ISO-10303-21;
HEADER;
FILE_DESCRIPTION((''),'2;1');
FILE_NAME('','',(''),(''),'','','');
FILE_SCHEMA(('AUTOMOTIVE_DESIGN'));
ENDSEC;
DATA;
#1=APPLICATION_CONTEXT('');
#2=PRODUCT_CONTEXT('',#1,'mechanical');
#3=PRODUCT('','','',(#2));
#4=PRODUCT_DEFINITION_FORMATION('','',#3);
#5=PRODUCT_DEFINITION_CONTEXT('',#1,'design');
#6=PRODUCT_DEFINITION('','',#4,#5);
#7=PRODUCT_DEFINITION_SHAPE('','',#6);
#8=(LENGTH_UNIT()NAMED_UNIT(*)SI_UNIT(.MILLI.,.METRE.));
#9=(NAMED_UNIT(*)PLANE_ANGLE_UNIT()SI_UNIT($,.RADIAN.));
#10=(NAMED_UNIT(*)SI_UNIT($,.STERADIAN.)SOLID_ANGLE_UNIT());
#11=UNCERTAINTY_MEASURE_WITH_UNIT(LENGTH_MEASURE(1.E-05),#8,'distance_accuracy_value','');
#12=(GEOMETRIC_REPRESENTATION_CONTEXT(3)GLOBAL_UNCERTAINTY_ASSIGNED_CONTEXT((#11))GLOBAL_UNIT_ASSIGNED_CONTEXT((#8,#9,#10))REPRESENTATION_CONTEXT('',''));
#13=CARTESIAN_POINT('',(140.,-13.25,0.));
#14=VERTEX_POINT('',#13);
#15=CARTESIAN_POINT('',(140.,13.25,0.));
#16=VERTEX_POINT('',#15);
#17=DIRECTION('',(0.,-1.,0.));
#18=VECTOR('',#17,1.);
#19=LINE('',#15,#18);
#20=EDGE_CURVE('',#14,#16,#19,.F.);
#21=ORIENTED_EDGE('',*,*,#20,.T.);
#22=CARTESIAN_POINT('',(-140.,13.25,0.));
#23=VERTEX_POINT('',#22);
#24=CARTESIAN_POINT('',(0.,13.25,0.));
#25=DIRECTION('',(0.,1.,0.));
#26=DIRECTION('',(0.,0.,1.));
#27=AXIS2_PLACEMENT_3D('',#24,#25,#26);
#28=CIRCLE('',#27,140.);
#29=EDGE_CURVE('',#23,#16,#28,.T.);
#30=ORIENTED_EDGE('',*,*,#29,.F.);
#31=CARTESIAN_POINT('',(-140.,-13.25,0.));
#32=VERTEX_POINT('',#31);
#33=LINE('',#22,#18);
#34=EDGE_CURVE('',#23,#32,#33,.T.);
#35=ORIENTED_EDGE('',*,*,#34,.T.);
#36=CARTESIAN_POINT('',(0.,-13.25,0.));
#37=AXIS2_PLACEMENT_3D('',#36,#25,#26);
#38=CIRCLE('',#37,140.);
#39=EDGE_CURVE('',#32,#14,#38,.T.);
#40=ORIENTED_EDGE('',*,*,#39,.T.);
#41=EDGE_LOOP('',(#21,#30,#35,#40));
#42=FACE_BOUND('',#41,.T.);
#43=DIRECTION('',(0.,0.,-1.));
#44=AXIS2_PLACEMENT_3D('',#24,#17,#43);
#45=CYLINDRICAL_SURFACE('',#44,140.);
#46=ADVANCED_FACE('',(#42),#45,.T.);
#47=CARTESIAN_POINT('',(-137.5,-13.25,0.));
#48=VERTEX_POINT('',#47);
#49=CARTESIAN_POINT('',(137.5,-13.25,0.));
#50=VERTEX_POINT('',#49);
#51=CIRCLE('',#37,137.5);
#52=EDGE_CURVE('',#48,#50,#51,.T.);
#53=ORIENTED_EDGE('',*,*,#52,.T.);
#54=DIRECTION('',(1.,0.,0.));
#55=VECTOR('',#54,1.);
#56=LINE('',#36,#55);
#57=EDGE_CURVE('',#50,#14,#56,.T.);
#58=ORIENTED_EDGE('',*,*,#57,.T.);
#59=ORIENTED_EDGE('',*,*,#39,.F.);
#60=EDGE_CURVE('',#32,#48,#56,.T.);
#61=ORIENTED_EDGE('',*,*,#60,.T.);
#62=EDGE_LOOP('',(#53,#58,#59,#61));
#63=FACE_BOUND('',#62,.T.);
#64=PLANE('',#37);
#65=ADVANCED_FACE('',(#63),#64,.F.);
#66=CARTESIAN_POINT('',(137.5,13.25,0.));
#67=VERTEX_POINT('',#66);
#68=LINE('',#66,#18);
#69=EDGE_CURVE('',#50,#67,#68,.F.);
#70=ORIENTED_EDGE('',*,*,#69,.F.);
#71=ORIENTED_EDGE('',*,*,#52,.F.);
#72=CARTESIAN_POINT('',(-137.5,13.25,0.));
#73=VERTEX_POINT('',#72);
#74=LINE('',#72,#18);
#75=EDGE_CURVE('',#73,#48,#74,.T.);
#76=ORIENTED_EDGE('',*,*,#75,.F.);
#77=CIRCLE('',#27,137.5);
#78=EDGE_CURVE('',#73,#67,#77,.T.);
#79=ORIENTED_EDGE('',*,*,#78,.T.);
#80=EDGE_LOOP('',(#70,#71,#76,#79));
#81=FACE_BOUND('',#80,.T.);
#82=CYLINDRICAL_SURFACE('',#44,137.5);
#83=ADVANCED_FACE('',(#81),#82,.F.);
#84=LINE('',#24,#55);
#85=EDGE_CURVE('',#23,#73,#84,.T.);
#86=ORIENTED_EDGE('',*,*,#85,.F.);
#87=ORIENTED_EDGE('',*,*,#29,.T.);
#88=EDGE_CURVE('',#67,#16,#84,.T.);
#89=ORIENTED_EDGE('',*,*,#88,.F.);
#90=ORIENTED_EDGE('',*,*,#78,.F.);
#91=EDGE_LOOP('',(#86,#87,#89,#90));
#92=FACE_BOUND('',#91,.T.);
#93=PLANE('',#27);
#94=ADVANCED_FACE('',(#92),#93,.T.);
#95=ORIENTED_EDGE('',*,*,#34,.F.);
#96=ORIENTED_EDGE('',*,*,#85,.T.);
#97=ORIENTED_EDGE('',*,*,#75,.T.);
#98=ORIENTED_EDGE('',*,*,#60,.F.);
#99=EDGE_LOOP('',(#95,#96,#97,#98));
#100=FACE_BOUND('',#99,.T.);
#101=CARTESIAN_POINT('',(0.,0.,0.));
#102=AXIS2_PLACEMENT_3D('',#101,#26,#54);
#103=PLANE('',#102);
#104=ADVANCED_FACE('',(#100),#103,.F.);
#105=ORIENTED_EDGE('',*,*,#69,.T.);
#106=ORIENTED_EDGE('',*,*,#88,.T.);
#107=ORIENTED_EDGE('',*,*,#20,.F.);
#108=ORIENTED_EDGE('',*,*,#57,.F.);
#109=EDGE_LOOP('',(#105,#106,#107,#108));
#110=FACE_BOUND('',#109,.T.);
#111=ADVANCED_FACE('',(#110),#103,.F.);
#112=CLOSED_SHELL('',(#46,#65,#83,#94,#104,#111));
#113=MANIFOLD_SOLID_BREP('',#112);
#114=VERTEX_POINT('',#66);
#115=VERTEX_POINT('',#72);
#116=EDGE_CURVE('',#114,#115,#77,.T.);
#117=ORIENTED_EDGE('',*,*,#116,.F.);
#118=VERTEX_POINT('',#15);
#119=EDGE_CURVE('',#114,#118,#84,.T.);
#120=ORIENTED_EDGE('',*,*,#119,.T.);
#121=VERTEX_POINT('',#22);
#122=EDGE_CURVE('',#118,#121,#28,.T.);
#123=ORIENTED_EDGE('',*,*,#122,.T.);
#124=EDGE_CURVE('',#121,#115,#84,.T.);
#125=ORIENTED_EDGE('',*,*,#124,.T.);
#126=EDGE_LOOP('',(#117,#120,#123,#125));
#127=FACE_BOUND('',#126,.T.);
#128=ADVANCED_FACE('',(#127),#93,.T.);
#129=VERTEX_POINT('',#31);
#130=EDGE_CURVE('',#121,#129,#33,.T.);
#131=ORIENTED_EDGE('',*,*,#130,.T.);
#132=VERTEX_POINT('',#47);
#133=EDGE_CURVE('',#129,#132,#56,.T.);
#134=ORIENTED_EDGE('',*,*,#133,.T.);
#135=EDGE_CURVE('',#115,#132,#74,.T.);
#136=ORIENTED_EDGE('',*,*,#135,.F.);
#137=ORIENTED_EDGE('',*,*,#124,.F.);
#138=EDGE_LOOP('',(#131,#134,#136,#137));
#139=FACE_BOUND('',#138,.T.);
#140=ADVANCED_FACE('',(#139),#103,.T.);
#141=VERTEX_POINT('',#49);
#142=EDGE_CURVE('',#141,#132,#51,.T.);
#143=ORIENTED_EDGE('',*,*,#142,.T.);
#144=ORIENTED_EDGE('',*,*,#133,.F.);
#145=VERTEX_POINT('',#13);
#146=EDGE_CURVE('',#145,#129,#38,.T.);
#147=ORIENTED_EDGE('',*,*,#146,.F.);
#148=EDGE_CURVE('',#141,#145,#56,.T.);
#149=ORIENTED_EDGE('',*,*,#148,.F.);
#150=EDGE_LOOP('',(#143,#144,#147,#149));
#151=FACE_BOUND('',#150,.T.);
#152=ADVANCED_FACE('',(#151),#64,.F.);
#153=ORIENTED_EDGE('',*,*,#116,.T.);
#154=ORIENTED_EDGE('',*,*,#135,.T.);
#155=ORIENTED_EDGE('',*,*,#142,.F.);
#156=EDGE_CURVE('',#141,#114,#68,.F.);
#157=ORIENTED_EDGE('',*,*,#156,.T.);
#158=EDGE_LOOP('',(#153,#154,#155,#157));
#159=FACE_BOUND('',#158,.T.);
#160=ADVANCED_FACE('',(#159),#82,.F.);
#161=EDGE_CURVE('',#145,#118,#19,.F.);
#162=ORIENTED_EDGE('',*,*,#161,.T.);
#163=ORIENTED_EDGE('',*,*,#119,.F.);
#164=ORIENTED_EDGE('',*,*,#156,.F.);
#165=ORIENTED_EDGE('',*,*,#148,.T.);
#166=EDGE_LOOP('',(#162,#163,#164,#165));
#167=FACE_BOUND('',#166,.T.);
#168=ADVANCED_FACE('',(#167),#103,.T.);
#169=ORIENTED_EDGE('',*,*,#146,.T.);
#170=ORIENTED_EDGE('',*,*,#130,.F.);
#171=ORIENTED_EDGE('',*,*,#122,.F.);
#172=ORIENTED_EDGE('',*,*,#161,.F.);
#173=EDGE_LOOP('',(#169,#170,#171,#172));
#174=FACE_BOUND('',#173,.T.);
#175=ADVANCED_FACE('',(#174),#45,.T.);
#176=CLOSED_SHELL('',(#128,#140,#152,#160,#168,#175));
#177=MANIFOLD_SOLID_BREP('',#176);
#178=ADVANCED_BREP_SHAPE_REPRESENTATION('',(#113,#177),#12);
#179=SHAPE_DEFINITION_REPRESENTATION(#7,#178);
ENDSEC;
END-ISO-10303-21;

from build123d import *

# Parameters (mm, degrees)
BOSS_EXTRUDE1_DEPTH = 13.25


with BuildPart() as part:
    # Sketch2 → Boss-Extrude1 (new, symmetric)
    with BuildSketch(Plane(origin=(0, 0, 0), x_dir=(1, 0, 0), z_dir=(0, 1, 0))):
        with BuildLine():
            ThreePointArc((53.57568053111268, 129.34313455158008), (8.57e-15, 139.99999999999997), (-53.57568053111271, 129.3431345515801))
            ThreePointArc((-53.57568053111271, 129.3431345515801), (-98.99494936611619, 98.99494936611717), (-129.34313455157954, 53.57568053111404))
            ThreePointArc((-129.34313455157954, 53.57568053111404), (-140, 1.50928e-12), (-129.3431345515807, -53.57568053111133))
            ThreePointArc((-129.3431345515807, -53.57568053111133), (-98.99494936611755, -98.9949493661158), (-53.57568053111358, -129.34313455157968))
            ThreePointArc((-53.57568053111358, -129.34313455157968), (-9.8619e-13, -139.99999999999997), (53.57568053111179, -129.34313455158048))
            ThreePointArc((53.57568053111179, -129.34313455158048), (98.99494936611613, -98.99494936611717), (129.34313455157988, -53.57568053111315))
            ThreePointArc((129.34313455157988, -53.57568053111315), (139.99999999999997, -5.0515e-13), (129.3431345515803, 53.57568053111223))
            ThreePointArc((129.3431345515803, 53.57568053111223), (98.99494936611686, 98.9949493661165), (53.57568053111268, 129.34313455158008))
        make_face()
        with BuildLine():
            ThreePointArc((52.61897195019996, 127.0334357203019), (8.42e-15, 137.50000000000003), (-52.618971950199956, 127.0334357203019))
            ThreePointArc((-52.618971950199956, 127.0334357203019), (-97.22718241314976, 97.22718241315081), (-127.03343572030134, 52.61897195020129))
            ThreePointArc((-127.03343572030134, 52.61897195020129), (-137.5, 1.48233e-12), (-127.0334357203025, -52.61897195019865))
            ThreePointArc((-127.0334357203025, -52.61897195019865), (-97.22718241315121, -97.22718241314949), (-52.61897195020085, -127.03343572030148))
            ThreePointArc((-52.61897195020085, -127.03343572030148), (-9.6858e-13, -137.49999999999997), (52.6189719501991, -127.03343572030226))
            ThreePointArc((52.6189719501991, -127.03343572030226), (97.2271824131498, -97.22718241315081), (127.03343572030171, -52.61897195020042))
            ThreePointArc((127.03343572030171, -52.61897195020042), (137.50000000000003, -4.885e-13), (127.03343572030212, 52.61897195019953))
            ThreePointArc((127.03343572030212, 52.61897195019953), (97.2271824131505, 97.22718241315015), (52.61897195019996, 127.0334357203019))
        make_face(mode=Mode.SUBTRACT)
    extrude(amount=BOSS_EXTRUDE1_DEPTH, both=True)


with BuildPart() as body_2:
    # Split1: the piece on the far side of the plane
    add(part.part)
    split(bisect_by=Plane.XY, keep=Keep.BOTTOM)


with BuildPart() as part_1:
    add(part.part)

    # Split1
    split(bisect_by=Plane.XY, keep=Keep.TOP)


solid = Compound([body_2.part, part_1.part])
